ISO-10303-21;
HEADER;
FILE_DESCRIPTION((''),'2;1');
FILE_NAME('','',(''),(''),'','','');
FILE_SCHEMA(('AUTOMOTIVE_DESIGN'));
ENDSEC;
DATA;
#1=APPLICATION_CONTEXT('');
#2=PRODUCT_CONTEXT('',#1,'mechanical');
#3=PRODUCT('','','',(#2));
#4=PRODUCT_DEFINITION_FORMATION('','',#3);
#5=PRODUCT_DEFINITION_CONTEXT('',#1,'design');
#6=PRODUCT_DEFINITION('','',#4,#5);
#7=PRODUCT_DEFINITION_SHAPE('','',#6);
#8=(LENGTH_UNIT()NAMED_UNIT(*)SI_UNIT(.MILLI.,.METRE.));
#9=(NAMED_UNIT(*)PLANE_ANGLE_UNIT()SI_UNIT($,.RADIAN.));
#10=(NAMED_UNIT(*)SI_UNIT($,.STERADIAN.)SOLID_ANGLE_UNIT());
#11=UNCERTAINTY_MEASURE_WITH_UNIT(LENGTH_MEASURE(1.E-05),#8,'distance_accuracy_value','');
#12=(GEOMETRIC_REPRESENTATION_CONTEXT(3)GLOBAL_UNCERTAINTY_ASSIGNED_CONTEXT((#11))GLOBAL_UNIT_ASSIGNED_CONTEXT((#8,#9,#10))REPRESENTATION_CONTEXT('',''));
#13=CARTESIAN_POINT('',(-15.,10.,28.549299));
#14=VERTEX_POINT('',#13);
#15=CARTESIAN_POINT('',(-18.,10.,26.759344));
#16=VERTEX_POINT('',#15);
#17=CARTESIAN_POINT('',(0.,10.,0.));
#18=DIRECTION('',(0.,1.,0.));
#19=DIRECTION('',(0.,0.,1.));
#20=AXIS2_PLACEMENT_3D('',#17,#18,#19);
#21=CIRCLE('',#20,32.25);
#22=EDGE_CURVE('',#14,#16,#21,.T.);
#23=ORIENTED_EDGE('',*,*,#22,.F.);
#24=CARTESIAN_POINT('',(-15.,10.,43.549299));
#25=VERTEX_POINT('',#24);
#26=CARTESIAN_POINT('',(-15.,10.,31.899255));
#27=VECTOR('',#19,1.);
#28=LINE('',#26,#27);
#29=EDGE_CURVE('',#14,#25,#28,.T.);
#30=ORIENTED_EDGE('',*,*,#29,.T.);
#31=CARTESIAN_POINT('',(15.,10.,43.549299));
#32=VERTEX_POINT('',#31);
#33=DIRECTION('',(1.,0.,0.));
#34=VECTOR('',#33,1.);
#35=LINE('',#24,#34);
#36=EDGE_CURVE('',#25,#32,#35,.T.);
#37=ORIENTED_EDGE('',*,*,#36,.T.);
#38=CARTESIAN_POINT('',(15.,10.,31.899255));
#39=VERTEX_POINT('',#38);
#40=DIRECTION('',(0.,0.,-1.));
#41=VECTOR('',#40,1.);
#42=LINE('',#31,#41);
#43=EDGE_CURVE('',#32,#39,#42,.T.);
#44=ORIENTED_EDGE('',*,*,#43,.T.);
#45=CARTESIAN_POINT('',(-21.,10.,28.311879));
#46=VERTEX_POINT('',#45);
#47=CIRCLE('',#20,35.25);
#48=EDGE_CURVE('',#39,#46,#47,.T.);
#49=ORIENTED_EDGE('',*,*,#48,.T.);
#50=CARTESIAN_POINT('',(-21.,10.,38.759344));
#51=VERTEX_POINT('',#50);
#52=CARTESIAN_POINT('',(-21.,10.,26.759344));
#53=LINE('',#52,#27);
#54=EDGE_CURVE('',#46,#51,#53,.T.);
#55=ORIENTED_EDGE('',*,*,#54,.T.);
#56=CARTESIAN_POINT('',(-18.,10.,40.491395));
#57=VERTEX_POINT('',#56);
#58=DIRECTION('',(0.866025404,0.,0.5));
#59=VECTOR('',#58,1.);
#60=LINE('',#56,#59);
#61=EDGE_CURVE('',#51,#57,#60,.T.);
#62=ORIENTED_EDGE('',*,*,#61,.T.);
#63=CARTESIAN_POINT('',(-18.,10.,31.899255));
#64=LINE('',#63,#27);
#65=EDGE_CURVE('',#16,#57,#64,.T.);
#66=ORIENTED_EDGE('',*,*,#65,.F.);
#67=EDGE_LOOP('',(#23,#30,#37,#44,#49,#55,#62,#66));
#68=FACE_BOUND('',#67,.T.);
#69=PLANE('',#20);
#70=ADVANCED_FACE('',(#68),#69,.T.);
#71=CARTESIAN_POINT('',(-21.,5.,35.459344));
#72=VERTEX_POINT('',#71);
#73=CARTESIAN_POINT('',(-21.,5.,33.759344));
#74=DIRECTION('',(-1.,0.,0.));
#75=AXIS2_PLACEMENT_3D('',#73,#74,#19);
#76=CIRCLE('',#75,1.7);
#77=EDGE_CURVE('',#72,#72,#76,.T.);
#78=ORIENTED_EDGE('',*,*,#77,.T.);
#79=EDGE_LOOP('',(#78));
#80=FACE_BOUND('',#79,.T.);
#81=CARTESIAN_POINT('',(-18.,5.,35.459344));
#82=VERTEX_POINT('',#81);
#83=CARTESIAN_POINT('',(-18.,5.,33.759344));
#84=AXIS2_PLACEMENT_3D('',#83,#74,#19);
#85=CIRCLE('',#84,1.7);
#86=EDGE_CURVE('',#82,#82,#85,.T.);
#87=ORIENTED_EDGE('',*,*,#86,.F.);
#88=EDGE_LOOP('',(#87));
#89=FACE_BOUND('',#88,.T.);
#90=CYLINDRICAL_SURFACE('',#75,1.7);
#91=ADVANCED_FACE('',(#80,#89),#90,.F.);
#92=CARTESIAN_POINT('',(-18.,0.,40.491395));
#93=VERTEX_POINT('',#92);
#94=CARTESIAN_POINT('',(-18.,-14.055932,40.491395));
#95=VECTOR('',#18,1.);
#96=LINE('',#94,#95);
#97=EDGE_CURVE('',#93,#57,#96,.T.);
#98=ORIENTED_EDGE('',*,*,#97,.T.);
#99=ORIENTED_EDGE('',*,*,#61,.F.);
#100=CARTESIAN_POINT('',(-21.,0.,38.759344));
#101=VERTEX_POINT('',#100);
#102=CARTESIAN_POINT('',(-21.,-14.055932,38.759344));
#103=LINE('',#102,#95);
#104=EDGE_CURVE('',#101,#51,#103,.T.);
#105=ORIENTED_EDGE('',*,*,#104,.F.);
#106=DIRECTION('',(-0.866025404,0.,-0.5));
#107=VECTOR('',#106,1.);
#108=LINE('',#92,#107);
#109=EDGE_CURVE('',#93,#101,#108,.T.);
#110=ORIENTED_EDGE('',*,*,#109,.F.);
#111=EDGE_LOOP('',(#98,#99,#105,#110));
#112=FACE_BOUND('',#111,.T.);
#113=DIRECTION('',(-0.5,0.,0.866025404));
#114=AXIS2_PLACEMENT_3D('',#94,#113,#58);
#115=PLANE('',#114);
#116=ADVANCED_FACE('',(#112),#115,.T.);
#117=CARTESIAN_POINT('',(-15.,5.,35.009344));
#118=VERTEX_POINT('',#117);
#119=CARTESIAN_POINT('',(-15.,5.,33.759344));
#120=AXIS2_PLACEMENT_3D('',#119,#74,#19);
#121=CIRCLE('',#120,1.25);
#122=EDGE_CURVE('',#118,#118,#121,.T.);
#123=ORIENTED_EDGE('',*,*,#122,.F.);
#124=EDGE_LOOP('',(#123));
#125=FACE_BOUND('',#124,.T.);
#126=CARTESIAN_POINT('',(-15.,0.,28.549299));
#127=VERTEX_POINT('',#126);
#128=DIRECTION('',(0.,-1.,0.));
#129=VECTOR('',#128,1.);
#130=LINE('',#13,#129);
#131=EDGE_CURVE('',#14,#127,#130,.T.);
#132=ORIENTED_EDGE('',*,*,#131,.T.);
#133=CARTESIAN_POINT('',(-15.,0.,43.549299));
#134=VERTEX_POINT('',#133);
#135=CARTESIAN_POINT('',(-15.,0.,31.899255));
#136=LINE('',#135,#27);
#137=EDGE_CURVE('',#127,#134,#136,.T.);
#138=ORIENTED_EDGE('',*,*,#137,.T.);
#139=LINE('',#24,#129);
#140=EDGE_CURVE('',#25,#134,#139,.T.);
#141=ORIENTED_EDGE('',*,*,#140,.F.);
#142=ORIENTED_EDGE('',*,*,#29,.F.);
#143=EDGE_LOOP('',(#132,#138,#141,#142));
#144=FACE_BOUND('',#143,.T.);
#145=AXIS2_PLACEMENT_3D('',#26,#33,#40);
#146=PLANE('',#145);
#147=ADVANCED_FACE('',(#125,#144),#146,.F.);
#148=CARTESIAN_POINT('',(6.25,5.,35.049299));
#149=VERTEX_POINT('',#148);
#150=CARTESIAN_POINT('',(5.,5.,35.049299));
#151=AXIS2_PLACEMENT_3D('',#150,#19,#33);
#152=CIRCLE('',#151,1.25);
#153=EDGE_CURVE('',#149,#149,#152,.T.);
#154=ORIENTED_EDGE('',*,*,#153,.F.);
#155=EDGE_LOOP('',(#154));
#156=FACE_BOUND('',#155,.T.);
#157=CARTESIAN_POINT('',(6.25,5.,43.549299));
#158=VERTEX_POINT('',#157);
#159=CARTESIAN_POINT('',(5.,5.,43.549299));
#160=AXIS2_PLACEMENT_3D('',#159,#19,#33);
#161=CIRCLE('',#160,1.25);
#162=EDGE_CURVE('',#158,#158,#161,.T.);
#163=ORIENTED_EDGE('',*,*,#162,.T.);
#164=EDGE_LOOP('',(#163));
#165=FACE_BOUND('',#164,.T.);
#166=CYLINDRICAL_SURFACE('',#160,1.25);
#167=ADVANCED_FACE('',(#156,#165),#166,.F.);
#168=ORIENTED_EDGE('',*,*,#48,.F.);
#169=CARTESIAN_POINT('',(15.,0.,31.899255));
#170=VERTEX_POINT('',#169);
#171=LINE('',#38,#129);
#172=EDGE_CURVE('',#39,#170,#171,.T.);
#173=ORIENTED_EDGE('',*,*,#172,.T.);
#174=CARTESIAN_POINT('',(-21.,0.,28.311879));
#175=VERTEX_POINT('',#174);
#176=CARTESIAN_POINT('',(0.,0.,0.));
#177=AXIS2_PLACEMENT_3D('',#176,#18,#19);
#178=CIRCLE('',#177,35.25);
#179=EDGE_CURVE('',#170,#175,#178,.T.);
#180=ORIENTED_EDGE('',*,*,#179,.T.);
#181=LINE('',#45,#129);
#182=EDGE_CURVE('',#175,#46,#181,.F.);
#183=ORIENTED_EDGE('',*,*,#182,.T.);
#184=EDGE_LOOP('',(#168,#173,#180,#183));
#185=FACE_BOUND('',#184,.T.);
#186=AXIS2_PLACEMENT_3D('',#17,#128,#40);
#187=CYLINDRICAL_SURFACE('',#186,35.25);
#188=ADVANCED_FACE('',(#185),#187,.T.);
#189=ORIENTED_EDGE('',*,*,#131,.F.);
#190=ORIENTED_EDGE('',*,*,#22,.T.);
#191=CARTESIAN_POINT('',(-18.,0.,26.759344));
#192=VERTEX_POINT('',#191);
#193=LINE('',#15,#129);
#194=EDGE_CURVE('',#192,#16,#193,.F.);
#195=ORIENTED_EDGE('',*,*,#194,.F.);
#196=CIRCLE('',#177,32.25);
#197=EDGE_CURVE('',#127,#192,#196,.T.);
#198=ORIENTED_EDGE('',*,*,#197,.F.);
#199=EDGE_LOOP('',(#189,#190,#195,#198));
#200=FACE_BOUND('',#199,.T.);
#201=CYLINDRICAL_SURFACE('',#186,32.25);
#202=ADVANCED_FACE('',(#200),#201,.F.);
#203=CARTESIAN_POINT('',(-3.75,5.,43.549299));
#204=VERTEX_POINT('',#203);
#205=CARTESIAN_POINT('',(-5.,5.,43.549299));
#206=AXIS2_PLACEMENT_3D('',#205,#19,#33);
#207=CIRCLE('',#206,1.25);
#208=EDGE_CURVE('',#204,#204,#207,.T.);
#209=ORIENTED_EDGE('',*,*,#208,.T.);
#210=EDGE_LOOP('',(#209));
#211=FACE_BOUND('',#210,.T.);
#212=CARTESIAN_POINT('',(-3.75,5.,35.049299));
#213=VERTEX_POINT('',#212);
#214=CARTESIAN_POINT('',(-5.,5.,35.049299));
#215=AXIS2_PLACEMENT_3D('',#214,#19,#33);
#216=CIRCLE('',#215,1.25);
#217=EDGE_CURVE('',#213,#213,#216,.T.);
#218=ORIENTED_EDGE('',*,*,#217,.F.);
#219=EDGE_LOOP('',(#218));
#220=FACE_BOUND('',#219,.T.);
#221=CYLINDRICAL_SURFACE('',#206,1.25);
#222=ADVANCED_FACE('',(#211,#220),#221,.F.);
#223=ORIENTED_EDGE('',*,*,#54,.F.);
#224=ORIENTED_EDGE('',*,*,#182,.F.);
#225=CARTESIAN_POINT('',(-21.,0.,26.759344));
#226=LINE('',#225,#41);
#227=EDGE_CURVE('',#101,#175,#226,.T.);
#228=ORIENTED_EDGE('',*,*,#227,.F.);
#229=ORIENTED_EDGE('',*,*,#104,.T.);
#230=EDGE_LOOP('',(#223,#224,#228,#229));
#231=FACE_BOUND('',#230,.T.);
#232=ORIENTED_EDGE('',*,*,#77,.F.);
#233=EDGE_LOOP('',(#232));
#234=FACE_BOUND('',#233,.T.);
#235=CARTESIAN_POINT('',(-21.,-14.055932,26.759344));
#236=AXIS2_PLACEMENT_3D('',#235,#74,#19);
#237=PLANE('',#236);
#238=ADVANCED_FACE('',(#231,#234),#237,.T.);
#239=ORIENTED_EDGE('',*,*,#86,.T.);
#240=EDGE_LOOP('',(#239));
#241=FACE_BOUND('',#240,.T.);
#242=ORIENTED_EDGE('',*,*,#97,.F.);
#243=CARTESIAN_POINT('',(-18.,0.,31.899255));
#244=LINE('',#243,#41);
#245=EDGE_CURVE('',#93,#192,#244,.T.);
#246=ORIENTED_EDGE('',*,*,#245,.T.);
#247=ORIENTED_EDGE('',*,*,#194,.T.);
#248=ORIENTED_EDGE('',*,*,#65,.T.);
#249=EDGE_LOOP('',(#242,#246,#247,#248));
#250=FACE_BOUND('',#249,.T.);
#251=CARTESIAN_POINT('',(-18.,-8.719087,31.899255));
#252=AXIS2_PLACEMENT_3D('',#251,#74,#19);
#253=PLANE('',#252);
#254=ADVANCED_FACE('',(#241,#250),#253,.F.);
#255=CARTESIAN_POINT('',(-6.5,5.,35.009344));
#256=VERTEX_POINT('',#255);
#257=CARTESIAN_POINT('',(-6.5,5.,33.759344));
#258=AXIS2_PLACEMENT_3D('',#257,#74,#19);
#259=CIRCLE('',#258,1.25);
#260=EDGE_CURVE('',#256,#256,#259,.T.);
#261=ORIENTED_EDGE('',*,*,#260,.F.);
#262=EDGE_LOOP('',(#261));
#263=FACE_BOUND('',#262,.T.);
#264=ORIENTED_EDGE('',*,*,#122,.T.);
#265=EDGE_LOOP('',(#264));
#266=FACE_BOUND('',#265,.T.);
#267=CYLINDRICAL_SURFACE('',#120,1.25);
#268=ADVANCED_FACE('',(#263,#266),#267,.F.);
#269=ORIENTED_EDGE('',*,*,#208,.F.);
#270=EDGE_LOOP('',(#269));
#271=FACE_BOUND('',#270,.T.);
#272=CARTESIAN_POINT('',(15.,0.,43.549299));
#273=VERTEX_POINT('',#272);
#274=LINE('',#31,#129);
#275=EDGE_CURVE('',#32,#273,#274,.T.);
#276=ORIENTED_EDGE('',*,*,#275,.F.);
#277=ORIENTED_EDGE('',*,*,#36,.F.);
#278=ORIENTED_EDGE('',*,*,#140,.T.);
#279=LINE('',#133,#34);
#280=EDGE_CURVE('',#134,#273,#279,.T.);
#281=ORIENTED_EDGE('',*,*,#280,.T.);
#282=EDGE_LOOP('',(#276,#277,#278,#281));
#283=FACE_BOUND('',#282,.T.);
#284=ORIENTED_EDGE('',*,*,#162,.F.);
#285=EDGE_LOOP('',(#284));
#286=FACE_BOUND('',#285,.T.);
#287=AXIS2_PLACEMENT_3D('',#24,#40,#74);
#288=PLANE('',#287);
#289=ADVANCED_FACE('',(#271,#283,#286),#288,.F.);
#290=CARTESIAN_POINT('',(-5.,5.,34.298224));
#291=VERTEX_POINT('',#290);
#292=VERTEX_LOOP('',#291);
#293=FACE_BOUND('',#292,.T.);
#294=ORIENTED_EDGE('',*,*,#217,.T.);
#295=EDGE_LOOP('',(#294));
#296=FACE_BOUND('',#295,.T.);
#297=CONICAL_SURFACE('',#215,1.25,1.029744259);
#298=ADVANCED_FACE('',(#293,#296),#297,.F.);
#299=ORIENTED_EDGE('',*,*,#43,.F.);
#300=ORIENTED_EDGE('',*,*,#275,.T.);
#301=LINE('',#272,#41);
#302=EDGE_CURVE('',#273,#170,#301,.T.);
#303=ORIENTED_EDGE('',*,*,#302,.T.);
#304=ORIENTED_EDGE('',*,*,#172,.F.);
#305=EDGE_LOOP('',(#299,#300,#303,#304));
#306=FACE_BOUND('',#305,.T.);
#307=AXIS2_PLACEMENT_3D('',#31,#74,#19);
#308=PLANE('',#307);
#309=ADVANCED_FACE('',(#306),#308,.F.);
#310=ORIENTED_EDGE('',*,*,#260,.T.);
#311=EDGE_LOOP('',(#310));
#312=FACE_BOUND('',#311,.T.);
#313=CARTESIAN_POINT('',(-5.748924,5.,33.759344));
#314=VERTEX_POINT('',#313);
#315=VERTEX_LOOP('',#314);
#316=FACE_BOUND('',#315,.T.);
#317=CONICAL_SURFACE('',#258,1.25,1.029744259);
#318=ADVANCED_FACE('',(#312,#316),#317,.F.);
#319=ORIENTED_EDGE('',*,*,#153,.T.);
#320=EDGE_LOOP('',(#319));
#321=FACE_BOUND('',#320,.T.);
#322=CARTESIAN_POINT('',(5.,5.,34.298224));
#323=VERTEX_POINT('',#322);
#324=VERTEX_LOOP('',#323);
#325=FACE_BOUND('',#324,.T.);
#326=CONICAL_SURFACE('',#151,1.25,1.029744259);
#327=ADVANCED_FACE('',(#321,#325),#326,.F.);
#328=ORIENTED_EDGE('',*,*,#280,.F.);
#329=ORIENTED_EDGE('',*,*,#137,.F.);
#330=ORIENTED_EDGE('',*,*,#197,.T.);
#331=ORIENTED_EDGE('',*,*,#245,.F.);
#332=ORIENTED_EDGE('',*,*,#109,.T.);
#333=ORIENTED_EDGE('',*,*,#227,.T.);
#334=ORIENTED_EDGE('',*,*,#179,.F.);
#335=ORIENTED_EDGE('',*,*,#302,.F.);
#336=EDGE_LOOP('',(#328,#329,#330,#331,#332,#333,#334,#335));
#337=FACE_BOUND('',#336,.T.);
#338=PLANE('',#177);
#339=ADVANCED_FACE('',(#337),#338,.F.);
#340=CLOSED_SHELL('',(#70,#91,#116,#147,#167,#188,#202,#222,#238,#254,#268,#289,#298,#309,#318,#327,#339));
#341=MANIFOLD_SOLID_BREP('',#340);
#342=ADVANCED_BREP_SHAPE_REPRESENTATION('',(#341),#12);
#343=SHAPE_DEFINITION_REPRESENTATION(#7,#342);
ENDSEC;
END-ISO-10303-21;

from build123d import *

# Parameters (mm, degrees)
SKETCH_1_R            = 32.25
EXTRUDE_1_DEPTH       = 10
SKETCH_4_W            = 3
SKETCH_4_H            = 8.186725545
CUT_EXTRUDE_2_DEPTH   = 10
EXTRUDE_5_DEPTH       = 10
HOLE_WIZARD_M32_D     = 3.4
HOLE_WIZARD_M32_DEPTH = 3
M3X0_51_D             = 2.5
M3X0_51_DEPTH         = 8.5
M3X0_51_TIP           = 0.751075774
M3X0_52_D             = 2.5
M3X0_52_DEPTH         = 8.5
M3X0_52_TIP           = 0.751075774


with BuildPart() as part:
    # Эскиз1 → Бобышка-Вытянуть1 (new body)
    with BuildSketch(Plane(origin=(0, 0, 0), x_dir=(1, 0, 0), z_dir=(0, 1, 0))):
        with BuildLine():
            Line((-15, -31.899255477), (-15, -43.549299466))
            Line((-15, -43.549299466), (15, -43.549299466))
            Line((15, -43.549299466), (15, -31.899255477))
            ThreePointArc((15, -31.899255477), (0, 35.25), (-15, -31.899255477))
        make_face()
        with Locations(Location((0, 0, 0), (0, 0, 270))):
            Circle(SKETCH_1_R, mode=Mode.SUBTRACT)
    extrude(amount=EXTRUDE_1_DEPTH)

    # Эскиз4 → Вырез-Вытянуть2 (cut)
    with BuildSketch(Plane(origin=(0, 10, 0), x_dir=(1, 0, 0), z_dir=(0, 1, 0))):
        with Locations((-16.5, -27.805892705)):
            Rectangle(SKETCH_4_W, SKETCH_4_H)
    extrude(amount=-CUT_EXTRUDE_2_DEPTH, mode=Mode.SUBTRACT)

    # Эскиз11 → Бобышка-Вытянуть5 (add)
    with BuildSketch(Plane(origin=(0, 10, 0), x_dir=(1, 0, 0), z_dir=(0, 1, 0))):
        Polygon((-18, -26.759344162), (-21, -26.759344162), (-21, -38.759344162), (-18, -40.49139497), align=None)
    extrude(amount=-EXTRUDE_5_DEPTH)

    # Отверстие с зазором M32
    with Locations(Plane.ZY.offset(21)):
        with Locations((33.759344162, 5)):
            Hole(HOLE_WIZARD_M32_D / 2, depth=HOLE_WIZARD_M32_DEPTH)

    # Отверстие обработанное метчиком M3x0.51
    with Locations(Plane.ZY.offset(15)):
        with Locations((33.759344162, 5)):
            Hole(M3X0_51_D / 2, depth=M3X0_51_DEPTH)
            with Locations((0, 0, -(M3X0_51_DEPTH + M3X0_51_TIP / 2))):  # 118° drill point
                Cone(0, M3X0_51_D / 2, M3X0_51_TIP, mode=Mode.SUBTRACT)

    # Отверстие обработанное метчиком M3x0.52
    with Locations(Plane.XY.offset(43.549299466)):
        with Locations((-5, 5), (5, 5)):
            Hole(M3X0_52_D / 2, depth=M3X0_52_DEPTH)
            with Locations((0, 0, -(M3X0_52_DEPTH + M3X0_52_TIP / 2))):  # 118° drill point
                Cone(0, M3X0_52_D / 2, M3X0_52_TIP, mode=Mode.SUBTRACT)


solid = part.part
